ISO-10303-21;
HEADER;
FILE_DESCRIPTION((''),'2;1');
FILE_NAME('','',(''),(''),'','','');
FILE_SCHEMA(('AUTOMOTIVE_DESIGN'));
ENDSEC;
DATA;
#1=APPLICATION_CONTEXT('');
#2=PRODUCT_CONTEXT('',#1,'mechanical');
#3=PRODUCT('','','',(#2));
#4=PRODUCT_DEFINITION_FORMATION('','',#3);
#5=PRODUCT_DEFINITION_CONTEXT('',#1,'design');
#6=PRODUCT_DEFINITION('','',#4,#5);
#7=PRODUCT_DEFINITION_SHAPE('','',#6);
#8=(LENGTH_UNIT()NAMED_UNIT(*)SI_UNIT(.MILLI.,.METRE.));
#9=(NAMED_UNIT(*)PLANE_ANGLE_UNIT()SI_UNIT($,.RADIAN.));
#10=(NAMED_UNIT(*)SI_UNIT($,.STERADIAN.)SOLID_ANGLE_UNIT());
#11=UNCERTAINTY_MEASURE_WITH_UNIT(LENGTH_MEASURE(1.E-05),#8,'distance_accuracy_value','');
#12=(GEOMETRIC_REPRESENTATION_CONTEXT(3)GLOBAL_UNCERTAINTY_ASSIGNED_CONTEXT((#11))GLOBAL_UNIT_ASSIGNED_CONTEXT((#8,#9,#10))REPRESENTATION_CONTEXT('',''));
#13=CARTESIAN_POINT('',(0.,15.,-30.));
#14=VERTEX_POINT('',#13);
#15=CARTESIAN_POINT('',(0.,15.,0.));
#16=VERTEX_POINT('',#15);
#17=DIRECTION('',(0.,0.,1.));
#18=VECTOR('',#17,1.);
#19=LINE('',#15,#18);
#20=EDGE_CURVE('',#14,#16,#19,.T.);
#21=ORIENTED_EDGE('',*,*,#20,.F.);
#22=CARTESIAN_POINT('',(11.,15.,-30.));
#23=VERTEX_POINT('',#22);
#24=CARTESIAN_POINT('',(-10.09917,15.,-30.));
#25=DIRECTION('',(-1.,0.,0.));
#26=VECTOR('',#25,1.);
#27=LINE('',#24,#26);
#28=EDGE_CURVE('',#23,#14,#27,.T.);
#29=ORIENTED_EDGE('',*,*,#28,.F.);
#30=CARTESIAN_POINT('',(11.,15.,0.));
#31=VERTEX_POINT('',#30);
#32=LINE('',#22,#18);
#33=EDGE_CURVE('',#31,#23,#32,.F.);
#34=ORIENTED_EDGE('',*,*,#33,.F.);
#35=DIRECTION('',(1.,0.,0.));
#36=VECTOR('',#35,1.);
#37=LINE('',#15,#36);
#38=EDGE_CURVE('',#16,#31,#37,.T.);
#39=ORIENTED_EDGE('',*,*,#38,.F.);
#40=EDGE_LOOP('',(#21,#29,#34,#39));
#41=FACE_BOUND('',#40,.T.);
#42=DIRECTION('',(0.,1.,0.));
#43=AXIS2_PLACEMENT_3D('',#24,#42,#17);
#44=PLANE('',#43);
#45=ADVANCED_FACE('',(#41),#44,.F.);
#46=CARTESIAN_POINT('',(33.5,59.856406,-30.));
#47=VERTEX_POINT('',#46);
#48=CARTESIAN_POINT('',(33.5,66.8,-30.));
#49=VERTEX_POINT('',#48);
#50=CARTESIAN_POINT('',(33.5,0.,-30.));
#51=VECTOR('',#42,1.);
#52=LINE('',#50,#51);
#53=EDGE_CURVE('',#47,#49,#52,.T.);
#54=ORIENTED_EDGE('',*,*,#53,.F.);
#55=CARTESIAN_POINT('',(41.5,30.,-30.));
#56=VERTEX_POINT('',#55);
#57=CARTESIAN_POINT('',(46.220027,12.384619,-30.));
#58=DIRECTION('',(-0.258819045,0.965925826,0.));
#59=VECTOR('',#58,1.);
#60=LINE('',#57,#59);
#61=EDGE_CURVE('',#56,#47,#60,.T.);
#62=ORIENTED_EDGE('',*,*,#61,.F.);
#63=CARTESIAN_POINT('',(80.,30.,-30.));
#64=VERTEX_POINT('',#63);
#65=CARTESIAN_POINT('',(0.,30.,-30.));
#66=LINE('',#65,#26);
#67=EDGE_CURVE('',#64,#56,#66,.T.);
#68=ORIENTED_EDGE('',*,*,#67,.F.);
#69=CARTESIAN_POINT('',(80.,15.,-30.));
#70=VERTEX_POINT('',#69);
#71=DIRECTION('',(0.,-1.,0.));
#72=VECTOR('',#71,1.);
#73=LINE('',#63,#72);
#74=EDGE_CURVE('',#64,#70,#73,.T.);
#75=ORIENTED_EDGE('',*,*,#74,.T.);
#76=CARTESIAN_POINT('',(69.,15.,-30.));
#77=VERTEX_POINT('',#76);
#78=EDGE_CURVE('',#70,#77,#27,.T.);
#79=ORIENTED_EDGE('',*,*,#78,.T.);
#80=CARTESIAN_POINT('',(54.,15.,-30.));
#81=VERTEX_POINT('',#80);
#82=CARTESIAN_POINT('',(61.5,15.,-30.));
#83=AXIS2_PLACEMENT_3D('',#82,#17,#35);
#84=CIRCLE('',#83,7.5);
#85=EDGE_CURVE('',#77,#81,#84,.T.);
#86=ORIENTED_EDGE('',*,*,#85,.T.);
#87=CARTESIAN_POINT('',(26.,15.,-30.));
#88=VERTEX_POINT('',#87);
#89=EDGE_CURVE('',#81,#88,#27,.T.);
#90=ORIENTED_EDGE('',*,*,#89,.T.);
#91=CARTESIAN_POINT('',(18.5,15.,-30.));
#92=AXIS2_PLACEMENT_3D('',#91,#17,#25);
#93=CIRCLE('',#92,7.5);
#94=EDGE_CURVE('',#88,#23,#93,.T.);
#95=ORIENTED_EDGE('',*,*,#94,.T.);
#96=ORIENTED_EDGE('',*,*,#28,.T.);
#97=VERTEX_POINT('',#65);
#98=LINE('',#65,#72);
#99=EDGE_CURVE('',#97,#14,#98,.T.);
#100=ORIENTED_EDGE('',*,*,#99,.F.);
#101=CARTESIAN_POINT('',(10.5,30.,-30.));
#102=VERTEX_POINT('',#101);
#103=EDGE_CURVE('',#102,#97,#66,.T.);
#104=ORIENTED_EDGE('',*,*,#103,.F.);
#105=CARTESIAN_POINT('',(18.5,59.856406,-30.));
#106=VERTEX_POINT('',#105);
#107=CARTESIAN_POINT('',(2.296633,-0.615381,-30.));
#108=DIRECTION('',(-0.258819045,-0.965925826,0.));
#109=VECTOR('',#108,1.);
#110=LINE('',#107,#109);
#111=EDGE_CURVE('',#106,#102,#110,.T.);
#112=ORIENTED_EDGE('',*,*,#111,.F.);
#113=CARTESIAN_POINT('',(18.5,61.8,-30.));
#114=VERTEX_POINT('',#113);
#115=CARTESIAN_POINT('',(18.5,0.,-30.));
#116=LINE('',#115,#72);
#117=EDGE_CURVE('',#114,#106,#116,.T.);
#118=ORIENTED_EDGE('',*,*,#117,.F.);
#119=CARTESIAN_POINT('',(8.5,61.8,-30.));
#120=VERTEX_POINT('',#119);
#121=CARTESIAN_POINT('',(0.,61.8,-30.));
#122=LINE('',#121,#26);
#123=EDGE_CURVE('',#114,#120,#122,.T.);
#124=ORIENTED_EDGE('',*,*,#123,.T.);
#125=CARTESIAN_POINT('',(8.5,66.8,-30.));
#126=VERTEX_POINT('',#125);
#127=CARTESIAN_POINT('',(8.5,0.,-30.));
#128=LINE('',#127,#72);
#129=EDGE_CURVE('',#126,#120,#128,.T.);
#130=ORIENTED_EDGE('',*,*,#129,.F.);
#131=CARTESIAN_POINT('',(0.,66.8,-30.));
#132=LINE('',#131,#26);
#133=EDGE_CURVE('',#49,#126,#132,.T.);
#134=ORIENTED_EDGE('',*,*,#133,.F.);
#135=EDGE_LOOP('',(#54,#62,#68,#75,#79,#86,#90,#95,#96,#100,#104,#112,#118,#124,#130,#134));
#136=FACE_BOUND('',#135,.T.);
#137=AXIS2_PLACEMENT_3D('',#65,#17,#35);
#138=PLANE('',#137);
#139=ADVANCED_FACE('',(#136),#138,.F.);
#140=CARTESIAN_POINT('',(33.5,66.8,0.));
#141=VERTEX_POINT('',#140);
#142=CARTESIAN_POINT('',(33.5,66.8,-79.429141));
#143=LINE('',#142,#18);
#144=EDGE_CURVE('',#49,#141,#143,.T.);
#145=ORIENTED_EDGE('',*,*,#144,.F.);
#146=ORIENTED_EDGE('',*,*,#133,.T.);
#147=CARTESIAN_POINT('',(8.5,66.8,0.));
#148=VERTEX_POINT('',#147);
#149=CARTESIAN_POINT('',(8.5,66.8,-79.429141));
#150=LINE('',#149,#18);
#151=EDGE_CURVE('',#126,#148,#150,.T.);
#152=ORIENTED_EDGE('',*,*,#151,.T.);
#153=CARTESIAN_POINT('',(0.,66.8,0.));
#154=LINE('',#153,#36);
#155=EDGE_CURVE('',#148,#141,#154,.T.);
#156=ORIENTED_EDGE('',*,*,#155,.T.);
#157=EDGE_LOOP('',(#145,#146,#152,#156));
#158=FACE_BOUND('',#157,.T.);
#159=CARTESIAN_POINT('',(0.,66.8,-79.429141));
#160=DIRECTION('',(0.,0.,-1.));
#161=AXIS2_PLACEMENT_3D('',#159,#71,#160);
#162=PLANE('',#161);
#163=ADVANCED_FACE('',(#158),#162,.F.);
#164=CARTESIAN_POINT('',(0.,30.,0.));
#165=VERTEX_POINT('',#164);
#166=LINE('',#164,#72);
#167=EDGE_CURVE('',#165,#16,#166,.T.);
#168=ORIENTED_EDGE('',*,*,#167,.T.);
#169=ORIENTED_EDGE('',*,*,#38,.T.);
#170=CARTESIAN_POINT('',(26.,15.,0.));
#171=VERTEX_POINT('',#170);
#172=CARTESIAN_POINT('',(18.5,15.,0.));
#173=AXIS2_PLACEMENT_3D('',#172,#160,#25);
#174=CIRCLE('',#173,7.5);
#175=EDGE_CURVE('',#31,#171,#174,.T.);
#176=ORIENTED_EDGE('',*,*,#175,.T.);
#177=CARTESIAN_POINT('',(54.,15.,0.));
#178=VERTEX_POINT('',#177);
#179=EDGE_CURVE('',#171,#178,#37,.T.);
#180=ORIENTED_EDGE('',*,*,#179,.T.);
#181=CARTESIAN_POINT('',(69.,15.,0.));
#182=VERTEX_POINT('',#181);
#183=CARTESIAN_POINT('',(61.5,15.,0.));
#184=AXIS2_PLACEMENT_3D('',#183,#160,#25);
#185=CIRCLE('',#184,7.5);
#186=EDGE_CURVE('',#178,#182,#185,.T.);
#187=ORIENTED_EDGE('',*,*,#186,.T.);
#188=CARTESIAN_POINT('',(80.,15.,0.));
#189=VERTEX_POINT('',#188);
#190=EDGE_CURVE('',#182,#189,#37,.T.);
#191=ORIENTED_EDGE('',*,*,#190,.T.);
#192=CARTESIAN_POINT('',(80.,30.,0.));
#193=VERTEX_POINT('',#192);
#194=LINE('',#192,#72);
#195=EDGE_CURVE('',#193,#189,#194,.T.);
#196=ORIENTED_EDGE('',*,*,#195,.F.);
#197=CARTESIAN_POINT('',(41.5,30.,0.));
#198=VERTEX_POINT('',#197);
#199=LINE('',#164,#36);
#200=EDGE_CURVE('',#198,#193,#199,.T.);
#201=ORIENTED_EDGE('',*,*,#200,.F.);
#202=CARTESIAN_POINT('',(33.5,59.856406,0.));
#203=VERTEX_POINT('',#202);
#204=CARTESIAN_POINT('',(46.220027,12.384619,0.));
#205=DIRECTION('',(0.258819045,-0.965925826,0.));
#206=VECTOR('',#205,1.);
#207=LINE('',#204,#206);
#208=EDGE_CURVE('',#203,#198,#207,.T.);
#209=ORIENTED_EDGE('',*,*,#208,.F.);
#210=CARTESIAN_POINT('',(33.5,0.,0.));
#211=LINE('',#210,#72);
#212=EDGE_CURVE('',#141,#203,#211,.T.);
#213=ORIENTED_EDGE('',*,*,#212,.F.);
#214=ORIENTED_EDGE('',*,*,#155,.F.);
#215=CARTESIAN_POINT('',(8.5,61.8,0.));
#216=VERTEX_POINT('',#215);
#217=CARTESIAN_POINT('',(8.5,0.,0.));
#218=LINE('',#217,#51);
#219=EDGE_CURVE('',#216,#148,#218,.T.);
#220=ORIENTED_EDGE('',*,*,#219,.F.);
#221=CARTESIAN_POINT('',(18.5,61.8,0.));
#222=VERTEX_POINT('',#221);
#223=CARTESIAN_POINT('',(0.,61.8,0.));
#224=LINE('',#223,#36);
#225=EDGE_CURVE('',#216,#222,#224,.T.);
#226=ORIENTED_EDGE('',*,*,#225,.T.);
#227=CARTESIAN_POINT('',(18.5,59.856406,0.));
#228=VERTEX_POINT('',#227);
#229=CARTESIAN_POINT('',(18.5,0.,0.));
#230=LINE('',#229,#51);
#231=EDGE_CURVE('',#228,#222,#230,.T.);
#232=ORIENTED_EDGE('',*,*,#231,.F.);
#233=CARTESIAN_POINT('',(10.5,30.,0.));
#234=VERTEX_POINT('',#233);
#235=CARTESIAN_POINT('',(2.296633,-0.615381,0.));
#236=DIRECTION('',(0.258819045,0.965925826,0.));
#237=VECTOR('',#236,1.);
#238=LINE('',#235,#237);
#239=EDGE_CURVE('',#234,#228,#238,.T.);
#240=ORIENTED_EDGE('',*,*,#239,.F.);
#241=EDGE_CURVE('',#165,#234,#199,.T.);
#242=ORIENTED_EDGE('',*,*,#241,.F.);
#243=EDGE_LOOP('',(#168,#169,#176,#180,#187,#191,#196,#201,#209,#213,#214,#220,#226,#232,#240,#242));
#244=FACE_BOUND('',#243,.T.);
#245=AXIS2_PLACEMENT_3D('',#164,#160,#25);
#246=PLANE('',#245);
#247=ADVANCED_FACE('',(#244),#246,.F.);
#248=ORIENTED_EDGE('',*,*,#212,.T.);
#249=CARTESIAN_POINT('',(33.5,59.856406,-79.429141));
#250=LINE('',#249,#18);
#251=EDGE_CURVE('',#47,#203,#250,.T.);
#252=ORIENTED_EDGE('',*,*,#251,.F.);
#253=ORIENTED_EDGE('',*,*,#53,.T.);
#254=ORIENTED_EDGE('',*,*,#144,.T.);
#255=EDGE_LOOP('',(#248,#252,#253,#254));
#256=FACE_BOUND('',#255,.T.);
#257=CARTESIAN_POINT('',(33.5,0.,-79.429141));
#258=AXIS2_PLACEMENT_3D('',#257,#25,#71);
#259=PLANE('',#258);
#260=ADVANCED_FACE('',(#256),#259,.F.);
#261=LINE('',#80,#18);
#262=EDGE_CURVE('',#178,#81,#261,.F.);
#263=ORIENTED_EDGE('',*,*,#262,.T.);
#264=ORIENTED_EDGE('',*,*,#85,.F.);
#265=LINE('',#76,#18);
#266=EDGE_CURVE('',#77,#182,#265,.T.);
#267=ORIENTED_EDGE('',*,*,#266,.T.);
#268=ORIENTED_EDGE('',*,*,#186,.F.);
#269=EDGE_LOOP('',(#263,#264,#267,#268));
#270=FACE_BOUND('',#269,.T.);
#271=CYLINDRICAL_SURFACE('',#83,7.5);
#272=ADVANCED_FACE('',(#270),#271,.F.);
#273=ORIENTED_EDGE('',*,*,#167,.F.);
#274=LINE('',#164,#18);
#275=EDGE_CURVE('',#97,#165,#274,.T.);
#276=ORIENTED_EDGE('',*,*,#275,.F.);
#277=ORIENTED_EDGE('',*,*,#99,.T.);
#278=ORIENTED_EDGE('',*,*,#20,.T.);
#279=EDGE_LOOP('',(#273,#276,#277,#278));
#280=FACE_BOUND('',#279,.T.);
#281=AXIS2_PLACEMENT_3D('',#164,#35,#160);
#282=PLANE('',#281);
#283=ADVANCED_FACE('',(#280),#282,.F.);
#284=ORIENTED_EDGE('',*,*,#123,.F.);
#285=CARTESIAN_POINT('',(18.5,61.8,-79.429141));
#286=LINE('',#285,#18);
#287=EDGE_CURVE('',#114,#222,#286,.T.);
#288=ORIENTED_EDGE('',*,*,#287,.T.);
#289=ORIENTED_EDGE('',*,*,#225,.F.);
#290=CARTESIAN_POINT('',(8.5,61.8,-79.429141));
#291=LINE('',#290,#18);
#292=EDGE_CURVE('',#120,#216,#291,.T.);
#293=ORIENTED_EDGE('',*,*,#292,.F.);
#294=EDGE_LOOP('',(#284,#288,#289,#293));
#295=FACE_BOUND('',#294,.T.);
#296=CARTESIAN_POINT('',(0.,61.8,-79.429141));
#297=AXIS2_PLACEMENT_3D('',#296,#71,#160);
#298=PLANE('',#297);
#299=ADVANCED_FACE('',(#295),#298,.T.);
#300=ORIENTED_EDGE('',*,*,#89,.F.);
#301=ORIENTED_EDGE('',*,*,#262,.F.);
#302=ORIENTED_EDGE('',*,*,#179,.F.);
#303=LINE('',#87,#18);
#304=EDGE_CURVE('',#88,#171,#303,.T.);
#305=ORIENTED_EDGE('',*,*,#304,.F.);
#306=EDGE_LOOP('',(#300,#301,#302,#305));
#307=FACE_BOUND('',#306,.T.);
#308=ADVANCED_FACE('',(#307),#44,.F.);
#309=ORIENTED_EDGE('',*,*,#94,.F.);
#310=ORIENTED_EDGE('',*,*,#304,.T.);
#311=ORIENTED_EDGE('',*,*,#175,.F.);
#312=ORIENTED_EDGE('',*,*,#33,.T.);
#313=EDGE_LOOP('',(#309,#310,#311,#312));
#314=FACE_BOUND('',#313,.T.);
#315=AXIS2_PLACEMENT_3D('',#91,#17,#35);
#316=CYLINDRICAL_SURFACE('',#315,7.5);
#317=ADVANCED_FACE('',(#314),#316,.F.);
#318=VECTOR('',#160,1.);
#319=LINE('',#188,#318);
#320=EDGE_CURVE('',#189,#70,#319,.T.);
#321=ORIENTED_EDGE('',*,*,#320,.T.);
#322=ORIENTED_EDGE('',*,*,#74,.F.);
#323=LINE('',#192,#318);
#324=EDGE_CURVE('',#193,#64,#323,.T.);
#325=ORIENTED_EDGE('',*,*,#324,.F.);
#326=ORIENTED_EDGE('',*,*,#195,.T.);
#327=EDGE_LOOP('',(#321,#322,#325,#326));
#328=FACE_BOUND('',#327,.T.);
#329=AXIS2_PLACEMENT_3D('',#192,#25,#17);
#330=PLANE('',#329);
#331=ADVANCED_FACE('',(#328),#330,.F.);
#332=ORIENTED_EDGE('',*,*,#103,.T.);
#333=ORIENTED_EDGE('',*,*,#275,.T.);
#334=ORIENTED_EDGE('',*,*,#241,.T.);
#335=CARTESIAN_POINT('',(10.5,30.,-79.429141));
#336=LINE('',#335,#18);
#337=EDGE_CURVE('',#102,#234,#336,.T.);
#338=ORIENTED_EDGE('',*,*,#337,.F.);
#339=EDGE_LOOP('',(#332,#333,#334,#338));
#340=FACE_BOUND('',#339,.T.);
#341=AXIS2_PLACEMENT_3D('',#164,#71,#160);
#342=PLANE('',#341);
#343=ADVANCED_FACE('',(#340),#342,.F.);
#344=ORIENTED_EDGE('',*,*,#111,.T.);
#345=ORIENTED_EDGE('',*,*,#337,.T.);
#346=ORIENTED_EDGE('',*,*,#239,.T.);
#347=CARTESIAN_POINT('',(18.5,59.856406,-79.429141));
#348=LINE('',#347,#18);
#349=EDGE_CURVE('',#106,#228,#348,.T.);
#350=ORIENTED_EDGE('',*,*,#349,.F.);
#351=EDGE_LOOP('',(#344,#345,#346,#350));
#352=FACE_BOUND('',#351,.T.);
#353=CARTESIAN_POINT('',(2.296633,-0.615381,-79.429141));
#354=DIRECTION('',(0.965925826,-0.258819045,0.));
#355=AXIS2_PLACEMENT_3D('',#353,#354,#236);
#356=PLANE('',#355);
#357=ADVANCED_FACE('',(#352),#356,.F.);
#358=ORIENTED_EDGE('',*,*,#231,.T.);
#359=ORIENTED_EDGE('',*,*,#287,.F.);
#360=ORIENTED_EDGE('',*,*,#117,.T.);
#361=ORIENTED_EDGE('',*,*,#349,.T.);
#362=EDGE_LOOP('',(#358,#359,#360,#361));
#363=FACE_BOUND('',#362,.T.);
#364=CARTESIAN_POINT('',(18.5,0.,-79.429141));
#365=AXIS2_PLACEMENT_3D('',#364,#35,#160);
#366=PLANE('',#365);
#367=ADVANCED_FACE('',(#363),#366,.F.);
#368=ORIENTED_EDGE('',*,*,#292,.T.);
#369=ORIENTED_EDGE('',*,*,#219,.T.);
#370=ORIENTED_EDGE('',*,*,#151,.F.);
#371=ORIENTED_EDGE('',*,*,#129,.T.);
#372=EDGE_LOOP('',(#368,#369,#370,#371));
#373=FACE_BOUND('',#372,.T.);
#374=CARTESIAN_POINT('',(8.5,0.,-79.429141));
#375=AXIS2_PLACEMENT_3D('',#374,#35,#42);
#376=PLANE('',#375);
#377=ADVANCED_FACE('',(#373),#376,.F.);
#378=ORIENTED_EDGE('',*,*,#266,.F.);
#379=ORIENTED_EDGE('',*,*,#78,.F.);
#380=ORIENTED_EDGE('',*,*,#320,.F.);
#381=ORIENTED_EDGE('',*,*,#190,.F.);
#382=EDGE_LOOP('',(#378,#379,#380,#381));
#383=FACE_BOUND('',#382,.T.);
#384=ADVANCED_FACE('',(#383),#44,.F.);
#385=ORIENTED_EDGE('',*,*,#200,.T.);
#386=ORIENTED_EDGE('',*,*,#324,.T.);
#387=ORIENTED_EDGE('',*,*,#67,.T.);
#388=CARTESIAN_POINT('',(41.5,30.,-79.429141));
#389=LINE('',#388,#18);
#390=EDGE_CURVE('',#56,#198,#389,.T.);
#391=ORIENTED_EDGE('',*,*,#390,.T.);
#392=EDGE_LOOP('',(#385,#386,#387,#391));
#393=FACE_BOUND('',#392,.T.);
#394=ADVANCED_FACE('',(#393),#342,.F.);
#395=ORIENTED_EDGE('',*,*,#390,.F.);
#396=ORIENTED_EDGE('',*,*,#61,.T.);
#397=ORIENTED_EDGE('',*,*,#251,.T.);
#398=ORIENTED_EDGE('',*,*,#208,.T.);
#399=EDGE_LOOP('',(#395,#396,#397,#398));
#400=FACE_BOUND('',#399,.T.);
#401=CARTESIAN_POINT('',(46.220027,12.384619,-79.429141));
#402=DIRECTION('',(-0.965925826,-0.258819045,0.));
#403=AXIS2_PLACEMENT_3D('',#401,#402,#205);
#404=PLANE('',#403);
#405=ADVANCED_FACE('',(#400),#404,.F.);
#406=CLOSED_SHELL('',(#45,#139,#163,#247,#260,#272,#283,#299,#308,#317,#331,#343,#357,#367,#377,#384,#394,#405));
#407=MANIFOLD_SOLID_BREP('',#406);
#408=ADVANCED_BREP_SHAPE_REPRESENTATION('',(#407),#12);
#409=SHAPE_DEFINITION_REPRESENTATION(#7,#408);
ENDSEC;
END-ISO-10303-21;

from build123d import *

# Parameters (mm, degrees)
SKETCH1_W               = 80
SKETCH1_H               = 30
BOSS_EXTRUDE1_DEPTH     = 30
CUT_EXTRUDE1_DEPTH      = 91.553851381
CUT_EXTRUDE1_DEPTH_BACK = 91.553851381
SKETCH2_R               = 7.5
BOSS_EXTRUDE2_DEPTH     = 30
CUT_EXTRUDE2_DEPTH      = 109.453861158
CUT_EXTRUDE2_DEPTH_BACK = 109.453861158
SKETCH4_W               = 102.556598927
SKETCH4_H               = 19.243482925


with BuildPart() as part:
    # Sketch1 → Boss-Extrude1 (new body)
    with BuildSketch(Plane(origin=(0, 0, 0), x_dir=(1, 0, 0), z_dir=(0, 1, 0))):
        with Locations((40, 15)):
            Rectangle(SKETCH1_W, SKETCH1_H)
    extrude(amount=BOSS_EXTRUDE1_DEPTH)

    # Sketch2 → Cut-Extrude1 (cut, two sides: drawn at the far end of the back side and taken through both)
    with BuildSketch(Plane.XY.offset(-CUT_EXTRUDE1_DEPTH_BACK)):
        with Locations((61.5, 15)):
            Circle(SKETCH2_R)
        with Locations(Location((18.5, 15, 0), (0, 0, 180))):
            Circle(SKETCH2_R)
    extrude(amount=CUT_EXTRUDE1_DEPTH + CUT_EXTRUDE1_DEPTH_BACK, mode=Mode.SUBTRACT)

    # Sketch3 → Boss-Extrude2 (add)
    with BuildSketch(Plane.XY):
        Polygon((18.5, 30), (18.5, 59.856406461), (10.5, 30), align=None)
        Polygon((8.5, 66.8), (8.5, 61.8), (18.5, 61.8), (18.5, 59.856406461), (18.5, 30), (41.5, 30), (33.5, 59.856406461), (33.5, 66.8), align=None)
    extrude(amount=-BOSS_EXTRUDE2_DEPTH)

    # Sketch4 → Cut-Extrude2 (cut, two sides: drawn at the far end of the back side and taken through both)
    with BuildSketch(Plane.XY.offset(-CUT_EXTRUDE2_DEPTH_BACK)):
        with Locations((41.179129622, 5.378258538)):
            Rectangle(SKETCH4_W, SKETCH4_H)
    extrude(amount=CUT_EXTRUDE2_DEPTH + CUT_EXTRUDE2_DEPTH_BACK, mode=Mode.SUBTRACT)


solid = part.part
